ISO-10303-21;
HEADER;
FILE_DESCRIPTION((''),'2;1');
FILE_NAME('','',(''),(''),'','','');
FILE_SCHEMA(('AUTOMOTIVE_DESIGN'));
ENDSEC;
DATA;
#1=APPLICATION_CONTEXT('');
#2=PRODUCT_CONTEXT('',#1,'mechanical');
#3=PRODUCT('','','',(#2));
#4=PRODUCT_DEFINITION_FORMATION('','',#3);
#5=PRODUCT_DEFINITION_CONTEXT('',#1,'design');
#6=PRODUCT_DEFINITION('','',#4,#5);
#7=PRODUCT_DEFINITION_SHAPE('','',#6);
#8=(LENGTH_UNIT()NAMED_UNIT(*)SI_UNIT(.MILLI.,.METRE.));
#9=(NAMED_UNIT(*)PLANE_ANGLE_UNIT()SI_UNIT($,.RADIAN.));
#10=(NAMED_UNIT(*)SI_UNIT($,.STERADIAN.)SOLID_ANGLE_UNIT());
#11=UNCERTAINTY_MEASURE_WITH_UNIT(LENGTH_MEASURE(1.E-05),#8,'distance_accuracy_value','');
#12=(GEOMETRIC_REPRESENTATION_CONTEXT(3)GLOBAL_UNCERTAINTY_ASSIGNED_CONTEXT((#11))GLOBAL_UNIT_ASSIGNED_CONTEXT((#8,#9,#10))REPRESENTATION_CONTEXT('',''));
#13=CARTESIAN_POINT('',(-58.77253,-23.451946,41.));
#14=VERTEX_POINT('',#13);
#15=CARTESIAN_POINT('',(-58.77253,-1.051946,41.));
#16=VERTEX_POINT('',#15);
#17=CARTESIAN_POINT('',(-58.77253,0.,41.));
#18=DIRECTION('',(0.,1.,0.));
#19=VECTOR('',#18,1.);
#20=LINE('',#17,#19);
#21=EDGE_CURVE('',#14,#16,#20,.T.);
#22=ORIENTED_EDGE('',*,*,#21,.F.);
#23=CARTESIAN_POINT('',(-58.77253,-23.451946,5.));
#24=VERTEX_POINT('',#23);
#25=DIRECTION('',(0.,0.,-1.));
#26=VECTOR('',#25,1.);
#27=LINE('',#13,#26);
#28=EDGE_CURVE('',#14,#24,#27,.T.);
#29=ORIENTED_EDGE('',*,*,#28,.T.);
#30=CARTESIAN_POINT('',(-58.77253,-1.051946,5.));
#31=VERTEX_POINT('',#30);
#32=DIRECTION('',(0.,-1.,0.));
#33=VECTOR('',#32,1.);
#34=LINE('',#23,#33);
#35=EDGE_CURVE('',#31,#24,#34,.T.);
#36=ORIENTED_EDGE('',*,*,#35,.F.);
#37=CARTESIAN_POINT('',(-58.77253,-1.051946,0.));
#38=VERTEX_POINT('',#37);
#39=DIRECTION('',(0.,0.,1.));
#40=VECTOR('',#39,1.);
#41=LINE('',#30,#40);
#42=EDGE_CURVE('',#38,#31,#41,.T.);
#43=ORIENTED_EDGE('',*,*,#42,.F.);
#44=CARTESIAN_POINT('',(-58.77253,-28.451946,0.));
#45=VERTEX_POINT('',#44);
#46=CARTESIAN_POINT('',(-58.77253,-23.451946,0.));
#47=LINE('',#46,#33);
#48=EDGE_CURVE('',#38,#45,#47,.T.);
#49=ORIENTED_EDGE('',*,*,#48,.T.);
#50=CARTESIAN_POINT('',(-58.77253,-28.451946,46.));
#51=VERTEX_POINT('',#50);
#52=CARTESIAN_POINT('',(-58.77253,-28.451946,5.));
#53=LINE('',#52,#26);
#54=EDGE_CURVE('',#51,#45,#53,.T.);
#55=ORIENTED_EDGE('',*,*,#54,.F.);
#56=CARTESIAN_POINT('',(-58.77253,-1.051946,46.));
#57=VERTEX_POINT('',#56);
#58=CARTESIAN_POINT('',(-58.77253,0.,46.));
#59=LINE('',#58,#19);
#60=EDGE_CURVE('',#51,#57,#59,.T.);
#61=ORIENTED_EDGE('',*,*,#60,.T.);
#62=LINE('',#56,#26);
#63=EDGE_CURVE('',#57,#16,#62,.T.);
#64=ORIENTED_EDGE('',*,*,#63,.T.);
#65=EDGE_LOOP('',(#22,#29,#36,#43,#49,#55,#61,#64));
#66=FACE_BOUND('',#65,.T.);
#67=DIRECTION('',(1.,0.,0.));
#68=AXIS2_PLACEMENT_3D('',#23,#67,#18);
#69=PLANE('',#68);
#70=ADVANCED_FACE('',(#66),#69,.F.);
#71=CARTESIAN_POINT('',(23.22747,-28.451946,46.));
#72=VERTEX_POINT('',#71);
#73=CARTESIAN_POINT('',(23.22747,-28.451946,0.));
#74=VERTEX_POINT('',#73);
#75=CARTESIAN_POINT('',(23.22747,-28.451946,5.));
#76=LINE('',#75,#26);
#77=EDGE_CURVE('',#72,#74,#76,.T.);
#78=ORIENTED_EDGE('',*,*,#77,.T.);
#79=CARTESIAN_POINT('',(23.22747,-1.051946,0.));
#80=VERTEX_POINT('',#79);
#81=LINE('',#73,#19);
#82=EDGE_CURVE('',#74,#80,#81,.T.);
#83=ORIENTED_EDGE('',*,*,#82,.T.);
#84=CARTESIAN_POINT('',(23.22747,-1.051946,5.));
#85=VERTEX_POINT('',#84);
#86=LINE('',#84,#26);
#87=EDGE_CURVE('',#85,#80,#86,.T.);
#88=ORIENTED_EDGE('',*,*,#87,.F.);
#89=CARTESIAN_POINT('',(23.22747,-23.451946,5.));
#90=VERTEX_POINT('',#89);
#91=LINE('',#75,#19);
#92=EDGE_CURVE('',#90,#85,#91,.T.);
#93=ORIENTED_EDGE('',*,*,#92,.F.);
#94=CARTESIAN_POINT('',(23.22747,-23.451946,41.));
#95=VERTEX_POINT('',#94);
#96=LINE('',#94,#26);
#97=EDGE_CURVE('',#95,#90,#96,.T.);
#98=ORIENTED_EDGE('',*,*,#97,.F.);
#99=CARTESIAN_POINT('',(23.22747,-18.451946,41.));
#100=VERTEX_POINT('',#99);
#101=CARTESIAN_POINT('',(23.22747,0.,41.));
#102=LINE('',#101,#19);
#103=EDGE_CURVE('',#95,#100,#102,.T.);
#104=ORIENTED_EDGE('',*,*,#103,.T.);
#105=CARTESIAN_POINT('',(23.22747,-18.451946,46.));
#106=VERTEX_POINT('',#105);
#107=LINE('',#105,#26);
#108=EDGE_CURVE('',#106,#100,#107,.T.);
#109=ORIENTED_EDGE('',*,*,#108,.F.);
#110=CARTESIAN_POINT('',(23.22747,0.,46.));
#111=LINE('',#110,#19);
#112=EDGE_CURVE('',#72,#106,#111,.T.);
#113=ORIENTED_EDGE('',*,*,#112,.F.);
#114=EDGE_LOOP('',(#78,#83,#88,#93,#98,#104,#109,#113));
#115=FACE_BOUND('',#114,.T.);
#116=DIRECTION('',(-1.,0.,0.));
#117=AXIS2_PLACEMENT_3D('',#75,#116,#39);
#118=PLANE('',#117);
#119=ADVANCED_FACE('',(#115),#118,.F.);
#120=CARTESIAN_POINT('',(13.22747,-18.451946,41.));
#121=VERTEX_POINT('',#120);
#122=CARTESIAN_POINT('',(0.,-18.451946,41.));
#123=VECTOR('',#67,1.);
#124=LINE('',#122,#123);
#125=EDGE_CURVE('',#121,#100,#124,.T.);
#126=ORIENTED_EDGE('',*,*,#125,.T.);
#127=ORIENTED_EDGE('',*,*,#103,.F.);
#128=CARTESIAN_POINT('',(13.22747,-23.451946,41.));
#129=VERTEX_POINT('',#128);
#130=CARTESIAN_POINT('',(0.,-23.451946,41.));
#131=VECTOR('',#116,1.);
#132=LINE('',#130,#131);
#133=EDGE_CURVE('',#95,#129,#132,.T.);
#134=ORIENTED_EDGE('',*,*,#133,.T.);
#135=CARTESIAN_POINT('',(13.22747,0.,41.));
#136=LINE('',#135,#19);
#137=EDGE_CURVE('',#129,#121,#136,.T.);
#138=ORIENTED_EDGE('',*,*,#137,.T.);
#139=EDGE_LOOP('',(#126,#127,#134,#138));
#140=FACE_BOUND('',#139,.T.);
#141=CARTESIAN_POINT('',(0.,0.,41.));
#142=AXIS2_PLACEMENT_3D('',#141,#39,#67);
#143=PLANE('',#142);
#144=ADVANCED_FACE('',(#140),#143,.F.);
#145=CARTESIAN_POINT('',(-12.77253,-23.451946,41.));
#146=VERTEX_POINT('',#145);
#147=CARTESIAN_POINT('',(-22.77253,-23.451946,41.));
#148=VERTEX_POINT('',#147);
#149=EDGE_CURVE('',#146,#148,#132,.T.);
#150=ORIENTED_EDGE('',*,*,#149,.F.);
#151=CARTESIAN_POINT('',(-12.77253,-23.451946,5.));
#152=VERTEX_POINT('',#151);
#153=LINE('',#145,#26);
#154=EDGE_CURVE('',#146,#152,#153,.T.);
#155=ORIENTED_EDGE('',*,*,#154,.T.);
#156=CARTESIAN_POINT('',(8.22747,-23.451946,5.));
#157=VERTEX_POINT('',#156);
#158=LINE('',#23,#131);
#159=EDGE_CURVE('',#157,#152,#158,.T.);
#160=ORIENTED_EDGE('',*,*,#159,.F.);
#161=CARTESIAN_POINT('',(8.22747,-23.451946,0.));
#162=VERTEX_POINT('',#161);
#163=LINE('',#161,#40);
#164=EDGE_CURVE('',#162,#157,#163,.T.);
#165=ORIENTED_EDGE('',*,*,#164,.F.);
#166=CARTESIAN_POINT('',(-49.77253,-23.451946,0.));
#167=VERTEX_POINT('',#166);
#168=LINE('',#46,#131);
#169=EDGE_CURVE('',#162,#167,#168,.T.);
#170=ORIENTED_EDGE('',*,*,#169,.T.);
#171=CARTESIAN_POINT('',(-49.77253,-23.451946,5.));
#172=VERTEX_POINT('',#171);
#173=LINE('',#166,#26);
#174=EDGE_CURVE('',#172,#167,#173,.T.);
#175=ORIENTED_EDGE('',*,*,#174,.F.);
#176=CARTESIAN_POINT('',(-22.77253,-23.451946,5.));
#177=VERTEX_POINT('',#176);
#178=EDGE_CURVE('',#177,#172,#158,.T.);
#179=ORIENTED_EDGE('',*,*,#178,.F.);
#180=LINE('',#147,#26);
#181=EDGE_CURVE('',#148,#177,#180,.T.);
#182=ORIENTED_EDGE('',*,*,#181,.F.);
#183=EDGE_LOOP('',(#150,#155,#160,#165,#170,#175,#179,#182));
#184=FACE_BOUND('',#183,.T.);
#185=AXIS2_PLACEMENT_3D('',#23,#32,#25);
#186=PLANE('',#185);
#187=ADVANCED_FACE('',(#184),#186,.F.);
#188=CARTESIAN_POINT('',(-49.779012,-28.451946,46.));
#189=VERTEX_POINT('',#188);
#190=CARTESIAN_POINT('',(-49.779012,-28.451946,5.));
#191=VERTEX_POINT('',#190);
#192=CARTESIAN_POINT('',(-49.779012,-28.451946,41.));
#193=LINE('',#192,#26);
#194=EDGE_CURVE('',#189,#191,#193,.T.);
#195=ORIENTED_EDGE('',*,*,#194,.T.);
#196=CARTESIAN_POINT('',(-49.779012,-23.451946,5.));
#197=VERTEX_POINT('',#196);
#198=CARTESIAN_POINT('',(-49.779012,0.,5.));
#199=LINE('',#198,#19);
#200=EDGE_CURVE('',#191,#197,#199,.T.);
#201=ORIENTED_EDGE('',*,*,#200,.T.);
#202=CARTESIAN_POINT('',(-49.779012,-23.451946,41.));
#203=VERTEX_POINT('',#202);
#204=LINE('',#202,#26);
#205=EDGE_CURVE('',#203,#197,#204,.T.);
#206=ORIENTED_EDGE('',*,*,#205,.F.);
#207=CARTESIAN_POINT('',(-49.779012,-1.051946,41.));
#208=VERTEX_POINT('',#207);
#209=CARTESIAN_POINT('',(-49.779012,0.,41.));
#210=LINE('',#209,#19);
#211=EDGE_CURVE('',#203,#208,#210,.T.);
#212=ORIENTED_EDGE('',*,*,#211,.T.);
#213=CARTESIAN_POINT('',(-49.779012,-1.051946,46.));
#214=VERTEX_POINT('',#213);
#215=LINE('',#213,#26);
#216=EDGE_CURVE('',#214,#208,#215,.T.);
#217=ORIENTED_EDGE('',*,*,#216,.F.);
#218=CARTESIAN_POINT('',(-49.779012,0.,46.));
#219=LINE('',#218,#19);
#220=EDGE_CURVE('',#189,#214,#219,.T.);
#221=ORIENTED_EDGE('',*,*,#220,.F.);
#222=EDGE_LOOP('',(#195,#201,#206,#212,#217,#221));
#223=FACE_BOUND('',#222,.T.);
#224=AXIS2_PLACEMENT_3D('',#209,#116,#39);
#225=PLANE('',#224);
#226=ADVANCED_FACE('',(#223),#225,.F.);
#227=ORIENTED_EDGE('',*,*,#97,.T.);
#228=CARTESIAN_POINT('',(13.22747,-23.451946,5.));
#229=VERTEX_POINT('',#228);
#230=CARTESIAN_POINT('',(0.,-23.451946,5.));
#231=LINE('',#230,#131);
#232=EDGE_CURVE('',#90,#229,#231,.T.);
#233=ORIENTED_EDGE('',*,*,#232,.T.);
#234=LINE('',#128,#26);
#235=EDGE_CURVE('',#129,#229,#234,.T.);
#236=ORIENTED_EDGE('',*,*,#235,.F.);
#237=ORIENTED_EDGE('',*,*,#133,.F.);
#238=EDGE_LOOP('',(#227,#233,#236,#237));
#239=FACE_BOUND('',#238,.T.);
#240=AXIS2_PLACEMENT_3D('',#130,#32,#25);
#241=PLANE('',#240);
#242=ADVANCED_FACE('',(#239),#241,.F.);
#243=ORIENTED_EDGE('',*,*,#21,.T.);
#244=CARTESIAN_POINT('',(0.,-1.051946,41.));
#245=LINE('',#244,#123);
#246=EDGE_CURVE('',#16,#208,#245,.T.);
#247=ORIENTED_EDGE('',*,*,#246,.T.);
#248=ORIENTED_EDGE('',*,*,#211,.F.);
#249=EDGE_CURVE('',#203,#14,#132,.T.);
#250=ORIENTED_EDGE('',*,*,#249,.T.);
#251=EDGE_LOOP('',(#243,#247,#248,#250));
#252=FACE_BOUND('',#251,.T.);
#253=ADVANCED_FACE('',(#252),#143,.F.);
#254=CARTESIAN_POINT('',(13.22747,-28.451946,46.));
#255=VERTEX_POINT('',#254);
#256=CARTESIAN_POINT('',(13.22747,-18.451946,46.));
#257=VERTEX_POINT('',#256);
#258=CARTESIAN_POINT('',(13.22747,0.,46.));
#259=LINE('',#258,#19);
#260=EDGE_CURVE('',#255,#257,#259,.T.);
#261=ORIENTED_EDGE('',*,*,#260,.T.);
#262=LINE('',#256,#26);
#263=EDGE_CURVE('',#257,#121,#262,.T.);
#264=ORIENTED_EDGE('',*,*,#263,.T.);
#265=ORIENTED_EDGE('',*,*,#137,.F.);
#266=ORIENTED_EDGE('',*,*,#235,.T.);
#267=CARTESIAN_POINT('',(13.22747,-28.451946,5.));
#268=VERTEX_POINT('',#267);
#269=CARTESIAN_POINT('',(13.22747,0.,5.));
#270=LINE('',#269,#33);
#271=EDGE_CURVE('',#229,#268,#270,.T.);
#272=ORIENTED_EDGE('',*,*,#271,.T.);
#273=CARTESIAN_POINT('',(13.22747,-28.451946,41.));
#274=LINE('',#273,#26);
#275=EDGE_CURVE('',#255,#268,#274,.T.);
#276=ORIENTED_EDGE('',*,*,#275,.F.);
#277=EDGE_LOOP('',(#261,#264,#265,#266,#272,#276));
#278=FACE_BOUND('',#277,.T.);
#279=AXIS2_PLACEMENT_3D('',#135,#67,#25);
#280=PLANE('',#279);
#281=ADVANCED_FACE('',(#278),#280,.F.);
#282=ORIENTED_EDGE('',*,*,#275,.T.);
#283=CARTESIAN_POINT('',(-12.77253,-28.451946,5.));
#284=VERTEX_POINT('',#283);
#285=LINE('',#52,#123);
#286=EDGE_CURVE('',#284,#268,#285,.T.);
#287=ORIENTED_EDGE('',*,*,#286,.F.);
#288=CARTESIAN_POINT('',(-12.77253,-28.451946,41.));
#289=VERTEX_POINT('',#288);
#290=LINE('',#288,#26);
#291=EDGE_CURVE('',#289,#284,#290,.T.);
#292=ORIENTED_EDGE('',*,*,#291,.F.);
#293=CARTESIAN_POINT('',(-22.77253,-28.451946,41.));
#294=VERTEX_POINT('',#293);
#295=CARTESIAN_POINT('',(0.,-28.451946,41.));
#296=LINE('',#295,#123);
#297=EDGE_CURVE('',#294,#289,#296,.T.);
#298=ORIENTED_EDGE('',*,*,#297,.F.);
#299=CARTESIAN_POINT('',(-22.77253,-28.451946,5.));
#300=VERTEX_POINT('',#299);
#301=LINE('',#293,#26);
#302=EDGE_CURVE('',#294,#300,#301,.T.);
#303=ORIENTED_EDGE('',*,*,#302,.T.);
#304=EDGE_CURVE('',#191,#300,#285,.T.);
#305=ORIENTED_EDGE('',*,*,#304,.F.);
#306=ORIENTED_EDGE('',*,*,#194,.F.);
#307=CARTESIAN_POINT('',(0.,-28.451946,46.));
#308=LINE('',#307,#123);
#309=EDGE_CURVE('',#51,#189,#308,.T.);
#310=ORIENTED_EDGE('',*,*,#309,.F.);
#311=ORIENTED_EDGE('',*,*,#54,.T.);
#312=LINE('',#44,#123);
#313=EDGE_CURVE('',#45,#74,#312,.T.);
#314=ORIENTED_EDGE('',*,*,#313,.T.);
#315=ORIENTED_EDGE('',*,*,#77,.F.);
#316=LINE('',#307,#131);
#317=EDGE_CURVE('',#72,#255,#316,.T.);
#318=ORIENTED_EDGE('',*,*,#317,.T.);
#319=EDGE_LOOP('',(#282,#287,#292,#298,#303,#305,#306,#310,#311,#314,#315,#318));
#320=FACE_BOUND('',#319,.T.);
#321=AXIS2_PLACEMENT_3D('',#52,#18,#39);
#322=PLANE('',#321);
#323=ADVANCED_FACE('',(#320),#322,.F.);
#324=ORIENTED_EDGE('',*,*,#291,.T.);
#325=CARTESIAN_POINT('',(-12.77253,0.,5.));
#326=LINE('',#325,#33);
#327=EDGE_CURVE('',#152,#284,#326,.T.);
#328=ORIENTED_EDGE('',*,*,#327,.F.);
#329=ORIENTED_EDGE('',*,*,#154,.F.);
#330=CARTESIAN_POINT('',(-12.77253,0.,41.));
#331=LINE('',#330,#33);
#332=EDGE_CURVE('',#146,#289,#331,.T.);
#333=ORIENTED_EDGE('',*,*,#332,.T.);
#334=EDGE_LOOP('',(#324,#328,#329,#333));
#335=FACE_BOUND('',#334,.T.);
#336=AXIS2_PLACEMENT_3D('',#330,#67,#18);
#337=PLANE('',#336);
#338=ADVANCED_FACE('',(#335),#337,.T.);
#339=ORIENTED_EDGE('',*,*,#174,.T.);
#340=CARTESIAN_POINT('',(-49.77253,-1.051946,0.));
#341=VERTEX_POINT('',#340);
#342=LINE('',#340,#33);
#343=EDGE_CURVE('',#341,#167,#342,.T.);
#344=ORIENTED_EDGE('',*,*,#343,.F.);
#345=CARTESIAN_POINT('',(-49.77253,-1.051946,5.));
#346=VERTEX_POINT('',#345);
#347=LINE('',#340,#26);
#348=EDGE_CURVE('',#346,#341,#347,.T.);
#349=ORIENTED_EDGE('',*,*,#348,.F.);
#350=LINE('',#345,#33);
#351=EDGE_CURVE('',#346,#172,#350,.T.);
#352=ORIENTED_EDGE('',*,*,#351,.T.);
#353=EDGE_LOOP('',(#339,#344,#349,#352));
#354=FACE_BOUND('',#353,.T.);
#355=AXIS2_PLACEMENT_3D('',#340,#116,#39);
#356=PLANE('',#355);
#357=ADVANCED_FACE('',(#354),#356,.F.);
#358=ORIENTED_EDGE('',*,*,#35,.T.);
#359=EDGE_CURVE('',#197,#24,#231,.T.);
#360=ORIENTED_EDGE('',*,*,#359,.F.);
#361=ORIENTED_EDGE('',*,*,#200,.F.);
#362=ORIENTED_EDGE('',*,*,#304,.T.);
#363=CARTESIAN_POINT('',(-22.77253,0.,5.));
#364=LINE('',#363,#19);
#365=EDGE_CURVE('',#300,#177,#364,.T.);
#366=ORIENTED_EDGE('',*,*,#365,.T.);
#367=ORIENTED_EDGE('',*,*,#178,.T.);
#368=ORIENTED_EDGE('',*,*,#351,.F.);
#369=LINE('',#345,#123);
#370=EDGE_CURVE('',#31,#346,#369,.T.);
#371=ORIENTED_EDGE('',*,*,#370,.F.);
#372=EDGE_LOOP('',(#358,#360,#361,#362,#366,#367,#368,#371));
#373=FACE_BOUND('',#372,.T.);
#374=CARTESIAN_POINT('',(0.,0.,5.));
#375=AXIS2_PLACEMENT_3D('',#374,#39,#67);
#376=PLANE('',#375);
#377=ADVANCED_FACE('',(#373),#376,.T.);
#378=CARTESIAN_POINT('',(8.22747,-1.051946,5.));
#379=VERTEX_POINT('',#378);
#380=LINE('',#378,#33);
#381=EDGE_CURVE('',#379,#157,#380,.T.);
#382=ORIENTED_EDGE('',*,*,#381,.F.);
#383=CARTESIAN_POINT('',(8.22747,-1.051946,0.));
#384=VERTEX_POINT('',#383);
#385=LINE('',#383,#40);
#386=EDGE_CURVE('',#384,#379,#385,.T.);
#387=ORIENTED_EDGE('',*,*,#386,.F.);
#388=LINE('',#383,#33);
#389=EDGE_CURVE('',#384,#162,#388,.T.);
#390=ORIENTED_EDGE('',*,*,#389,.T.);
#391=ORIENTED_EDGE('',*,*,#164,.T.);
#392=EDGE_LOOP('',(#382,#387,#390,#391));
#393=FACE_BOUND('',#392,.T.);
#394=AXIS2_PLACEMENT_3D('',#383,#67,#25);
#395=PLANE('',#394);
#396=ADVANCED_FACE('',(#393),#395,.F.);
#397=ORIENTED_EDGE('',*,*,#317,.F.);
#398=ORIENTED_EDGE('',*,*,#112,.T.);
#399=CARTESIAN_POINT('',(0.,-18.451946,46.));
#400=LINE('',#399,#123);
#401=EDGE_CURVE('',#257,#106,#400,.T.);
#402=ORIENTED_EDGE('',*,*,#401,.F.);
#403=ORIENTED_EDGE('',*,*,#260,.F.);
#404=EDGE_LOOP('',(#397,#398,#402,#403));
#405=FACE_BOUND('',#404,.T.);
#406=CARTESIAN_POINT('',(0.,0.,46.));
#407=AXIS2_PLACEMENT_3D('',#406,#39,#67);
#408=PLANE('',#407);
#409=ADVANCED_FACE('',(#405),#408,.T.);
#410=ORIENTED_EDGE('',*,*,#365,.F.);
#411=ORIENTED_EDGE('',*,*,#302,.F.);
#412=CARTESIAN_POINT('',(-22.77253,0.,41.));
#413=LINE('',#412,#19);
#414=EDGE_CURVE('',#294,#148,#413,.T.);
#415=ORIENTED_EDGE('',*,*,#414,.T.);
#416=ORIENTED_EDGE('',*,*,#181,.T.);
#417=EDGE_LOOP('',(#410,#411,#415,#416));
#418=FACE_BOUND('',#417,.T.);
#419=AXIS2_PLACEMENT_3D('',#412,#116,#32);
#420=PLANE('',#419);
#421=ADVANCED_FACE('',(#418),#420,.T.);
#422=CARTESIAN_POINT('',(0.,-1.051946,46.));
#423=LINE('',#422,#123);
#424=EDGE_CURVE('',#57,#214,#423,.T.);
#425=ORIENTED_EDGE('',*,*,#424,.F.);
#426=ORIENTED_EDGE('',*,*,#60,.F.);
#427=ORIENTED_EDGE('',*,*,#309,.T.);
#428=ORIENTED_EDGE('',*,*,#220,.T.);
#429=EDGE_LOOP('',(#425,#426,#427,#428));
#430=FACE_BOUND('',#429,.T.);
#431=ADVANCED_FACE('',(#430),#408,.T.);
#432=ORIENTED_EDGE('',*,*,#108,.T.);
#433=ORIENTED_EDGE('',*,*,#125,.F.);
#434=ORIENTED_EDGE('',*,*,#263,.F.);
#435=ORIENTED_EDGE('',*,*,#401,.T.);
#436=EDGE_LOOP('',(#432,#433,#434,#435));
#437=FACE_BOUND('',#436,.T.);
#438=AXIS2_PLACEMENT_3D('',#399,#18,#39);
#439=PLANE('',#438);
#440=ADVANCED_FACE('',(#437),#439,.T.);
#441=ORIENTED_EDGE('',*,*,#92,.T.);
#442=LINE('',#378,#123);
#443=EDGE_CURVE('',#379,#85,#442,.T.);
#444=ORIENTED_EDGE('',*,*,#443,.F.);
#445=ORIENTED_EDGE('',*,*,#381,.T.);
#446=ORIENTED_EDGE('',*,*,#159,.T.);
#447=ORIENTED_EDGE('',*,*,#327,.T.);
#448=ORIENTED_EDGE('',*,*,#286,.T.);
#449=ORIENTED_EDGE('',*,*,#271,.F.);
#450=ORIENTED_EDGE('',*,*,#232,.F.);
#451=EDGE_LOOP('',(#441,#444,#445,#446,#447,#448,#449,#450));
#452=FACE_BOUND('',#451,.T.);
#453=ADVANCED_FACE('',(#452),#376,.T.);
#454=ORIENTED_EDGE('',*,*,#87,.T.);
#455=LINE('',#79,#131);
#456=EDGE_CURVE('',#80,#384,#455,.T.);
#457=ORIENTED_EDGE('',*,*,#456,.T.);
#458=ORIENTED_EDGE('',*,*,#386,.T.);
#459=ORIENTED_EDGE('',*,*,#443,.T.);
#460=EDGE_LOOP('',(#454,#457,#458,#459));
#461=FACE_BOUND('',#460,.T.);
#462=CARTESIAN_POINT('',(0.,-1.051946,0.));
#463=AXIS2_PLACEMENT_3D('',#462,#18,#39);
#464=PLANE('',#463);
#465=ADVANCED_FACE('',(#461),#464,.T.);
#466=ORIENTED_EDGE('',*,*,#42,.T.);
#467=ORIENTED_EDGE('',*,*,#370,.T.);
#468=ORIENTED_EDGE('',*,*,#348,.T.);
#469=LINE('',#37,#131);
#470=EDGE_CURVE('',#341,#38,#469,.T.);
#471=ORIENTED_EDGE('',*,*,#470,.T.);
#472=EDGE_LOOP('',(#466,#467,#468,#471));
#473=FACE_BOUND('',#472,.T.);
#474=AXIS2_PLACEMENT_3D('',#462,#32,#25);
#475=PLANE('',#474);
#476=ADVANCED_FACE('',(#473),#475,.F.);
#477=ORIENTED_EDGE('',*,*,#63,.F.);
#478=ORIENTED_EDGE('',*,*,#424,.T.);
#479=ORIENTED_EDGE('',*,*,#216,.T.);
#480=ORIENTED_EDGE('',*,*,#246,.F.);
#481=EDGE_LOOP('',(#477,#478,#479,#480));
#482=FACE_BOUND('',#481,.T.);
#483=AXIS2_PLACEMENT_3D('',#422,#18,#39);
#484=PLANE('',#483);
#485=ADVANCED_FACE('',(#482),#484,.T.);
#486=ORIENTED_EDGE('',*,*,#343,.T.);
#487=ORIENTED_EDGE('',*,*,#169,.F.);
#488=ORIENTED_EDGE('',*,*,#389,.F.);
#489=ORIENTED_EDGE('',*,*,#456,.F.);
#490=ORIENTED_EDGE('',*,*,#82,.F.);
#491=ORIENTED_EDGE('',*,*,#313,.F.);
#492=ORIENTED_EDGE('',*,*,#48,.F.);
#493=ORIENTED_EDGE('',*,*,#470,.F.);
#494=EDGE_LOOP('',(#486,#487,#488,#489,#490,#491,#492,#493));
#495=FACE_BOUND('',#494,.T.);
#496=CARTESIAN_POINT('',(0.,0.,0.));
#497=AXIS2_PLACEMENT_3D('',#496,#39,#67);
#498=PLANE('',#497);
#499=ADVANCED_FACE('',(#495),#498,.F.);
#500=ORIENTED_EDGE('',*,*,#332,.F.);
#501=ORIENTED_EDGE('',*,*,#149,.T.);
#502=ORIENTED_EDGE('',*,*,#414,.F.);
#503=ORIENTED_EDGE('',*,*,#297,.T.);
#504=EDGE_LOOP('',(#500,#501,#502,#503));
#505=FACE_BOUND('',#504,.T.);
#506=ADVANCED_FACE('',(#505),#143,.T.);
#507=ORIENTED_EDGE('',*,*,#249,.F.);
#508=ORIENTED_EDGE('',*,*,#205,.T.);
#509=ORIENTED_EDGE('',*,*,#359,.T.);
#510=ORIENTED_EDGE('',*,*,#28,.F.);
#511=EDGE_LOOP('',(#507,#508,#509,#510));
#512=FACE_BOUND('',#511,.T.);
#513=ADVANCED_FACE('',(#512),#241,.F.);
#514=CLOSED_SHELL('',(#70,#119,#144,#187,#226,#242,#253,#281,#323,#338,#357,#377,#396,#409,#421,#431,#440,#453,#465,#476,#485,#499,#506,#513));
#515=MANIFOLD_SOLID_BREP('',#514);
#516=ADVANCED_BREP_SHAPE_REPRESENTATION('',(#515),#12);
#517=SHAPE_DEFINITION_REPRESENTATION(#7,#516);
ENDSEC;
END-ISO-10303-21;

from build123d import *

# Parameters (mm, degrees)
CROQUIS1_W              = 82
CROQUIS1_H              = 5
SALIENTE_EXTRUIR1_DEPTH = 5
CROQUIS2_W              = 15
CROQUIS2_H              = 5
CROQUIS2_W_2            = 9
SALIENTE_EXTRUIR2_DEPTH = 22.4
CROQUIS3_W              = 8.993517989
CROQUIS3_H              = 5
CROQUIS3_W_2            = 10
SALIENTE_EXTRUIR3_DEPTH = 36
CROQUIS4_W              = 8.993517989
CROQUIS4_H              = 27.4
CROQUIS4_W_2            = 10
CROQUIS4_H_2            = 10
SALIENTE_EXTRUIR4_DEPTH = 5


with BuildPart() as part:
    # Croquis1 → Saliente-Extruir1 (new body)
    with BuildSketch(Plane.XY):
        with Locations((-17.772529993, -25.951946472)):
            Rectangle(CROQUIS1_W, CROQUIS1_H)
    extrude(amount=SALIENTE_EXTRUIR1_DEPTH)

    # Croquis2 → Saliente-Extruir2 (add)
    with BuildSketch(Plane(origin=(0, -23.451946472, 0), x_dir=(1, 0, 0), z_dir=(0, 1, 0))):
        with Locations((15.727470007, -2.5)):
            Rectangle(CROQUIS2_W, CROQUIS2_H)
        with Locations((-54.272529993, -2.5)):
            Rectangle(CROQUIS2_W_2, CROQUIS2_H)
    extrude(amount=SALIENTE_EXTRUIR2_DEPTH)

    # Croquis3 → Saliente-Extruir3 (add)
    with BuildSketch(Plane.XY.offset(5)):
        with Locations((-54.275770999, -25.951946472)):
            Rectangle(CROQUIS3_W, CROQUIS3_H)
        with Locations((-17.772529993, -25.951946472)):
            Rectangle(CROQUIS3_W_2, CROQUIS3_H)
        with Locations((18.227470007, -25.951946472)):
            Rectangle(CROQUIS3_W_2, CROQUIS3_H)
    extrude(amount=SALIENTE_EXTRUIR3_DEPTH)

    # Croquis4 → Saliente-Extruir4 (add)
    with BuildSketch(Plane.XY.offset(41)):
        with Locations((-54.275770999, -14.751946472)):
            Rectangle(CROQUIS4_W, CROQUIS4_H)
        with Locations((18.227470007, -23.451946472)):
            Rectangle(CROQUIS4_W_2, CROQUIS4_H_2)
    extrude(amount=SALIENTE_EXTRUIR4_DEPTH)


solid = part.part
